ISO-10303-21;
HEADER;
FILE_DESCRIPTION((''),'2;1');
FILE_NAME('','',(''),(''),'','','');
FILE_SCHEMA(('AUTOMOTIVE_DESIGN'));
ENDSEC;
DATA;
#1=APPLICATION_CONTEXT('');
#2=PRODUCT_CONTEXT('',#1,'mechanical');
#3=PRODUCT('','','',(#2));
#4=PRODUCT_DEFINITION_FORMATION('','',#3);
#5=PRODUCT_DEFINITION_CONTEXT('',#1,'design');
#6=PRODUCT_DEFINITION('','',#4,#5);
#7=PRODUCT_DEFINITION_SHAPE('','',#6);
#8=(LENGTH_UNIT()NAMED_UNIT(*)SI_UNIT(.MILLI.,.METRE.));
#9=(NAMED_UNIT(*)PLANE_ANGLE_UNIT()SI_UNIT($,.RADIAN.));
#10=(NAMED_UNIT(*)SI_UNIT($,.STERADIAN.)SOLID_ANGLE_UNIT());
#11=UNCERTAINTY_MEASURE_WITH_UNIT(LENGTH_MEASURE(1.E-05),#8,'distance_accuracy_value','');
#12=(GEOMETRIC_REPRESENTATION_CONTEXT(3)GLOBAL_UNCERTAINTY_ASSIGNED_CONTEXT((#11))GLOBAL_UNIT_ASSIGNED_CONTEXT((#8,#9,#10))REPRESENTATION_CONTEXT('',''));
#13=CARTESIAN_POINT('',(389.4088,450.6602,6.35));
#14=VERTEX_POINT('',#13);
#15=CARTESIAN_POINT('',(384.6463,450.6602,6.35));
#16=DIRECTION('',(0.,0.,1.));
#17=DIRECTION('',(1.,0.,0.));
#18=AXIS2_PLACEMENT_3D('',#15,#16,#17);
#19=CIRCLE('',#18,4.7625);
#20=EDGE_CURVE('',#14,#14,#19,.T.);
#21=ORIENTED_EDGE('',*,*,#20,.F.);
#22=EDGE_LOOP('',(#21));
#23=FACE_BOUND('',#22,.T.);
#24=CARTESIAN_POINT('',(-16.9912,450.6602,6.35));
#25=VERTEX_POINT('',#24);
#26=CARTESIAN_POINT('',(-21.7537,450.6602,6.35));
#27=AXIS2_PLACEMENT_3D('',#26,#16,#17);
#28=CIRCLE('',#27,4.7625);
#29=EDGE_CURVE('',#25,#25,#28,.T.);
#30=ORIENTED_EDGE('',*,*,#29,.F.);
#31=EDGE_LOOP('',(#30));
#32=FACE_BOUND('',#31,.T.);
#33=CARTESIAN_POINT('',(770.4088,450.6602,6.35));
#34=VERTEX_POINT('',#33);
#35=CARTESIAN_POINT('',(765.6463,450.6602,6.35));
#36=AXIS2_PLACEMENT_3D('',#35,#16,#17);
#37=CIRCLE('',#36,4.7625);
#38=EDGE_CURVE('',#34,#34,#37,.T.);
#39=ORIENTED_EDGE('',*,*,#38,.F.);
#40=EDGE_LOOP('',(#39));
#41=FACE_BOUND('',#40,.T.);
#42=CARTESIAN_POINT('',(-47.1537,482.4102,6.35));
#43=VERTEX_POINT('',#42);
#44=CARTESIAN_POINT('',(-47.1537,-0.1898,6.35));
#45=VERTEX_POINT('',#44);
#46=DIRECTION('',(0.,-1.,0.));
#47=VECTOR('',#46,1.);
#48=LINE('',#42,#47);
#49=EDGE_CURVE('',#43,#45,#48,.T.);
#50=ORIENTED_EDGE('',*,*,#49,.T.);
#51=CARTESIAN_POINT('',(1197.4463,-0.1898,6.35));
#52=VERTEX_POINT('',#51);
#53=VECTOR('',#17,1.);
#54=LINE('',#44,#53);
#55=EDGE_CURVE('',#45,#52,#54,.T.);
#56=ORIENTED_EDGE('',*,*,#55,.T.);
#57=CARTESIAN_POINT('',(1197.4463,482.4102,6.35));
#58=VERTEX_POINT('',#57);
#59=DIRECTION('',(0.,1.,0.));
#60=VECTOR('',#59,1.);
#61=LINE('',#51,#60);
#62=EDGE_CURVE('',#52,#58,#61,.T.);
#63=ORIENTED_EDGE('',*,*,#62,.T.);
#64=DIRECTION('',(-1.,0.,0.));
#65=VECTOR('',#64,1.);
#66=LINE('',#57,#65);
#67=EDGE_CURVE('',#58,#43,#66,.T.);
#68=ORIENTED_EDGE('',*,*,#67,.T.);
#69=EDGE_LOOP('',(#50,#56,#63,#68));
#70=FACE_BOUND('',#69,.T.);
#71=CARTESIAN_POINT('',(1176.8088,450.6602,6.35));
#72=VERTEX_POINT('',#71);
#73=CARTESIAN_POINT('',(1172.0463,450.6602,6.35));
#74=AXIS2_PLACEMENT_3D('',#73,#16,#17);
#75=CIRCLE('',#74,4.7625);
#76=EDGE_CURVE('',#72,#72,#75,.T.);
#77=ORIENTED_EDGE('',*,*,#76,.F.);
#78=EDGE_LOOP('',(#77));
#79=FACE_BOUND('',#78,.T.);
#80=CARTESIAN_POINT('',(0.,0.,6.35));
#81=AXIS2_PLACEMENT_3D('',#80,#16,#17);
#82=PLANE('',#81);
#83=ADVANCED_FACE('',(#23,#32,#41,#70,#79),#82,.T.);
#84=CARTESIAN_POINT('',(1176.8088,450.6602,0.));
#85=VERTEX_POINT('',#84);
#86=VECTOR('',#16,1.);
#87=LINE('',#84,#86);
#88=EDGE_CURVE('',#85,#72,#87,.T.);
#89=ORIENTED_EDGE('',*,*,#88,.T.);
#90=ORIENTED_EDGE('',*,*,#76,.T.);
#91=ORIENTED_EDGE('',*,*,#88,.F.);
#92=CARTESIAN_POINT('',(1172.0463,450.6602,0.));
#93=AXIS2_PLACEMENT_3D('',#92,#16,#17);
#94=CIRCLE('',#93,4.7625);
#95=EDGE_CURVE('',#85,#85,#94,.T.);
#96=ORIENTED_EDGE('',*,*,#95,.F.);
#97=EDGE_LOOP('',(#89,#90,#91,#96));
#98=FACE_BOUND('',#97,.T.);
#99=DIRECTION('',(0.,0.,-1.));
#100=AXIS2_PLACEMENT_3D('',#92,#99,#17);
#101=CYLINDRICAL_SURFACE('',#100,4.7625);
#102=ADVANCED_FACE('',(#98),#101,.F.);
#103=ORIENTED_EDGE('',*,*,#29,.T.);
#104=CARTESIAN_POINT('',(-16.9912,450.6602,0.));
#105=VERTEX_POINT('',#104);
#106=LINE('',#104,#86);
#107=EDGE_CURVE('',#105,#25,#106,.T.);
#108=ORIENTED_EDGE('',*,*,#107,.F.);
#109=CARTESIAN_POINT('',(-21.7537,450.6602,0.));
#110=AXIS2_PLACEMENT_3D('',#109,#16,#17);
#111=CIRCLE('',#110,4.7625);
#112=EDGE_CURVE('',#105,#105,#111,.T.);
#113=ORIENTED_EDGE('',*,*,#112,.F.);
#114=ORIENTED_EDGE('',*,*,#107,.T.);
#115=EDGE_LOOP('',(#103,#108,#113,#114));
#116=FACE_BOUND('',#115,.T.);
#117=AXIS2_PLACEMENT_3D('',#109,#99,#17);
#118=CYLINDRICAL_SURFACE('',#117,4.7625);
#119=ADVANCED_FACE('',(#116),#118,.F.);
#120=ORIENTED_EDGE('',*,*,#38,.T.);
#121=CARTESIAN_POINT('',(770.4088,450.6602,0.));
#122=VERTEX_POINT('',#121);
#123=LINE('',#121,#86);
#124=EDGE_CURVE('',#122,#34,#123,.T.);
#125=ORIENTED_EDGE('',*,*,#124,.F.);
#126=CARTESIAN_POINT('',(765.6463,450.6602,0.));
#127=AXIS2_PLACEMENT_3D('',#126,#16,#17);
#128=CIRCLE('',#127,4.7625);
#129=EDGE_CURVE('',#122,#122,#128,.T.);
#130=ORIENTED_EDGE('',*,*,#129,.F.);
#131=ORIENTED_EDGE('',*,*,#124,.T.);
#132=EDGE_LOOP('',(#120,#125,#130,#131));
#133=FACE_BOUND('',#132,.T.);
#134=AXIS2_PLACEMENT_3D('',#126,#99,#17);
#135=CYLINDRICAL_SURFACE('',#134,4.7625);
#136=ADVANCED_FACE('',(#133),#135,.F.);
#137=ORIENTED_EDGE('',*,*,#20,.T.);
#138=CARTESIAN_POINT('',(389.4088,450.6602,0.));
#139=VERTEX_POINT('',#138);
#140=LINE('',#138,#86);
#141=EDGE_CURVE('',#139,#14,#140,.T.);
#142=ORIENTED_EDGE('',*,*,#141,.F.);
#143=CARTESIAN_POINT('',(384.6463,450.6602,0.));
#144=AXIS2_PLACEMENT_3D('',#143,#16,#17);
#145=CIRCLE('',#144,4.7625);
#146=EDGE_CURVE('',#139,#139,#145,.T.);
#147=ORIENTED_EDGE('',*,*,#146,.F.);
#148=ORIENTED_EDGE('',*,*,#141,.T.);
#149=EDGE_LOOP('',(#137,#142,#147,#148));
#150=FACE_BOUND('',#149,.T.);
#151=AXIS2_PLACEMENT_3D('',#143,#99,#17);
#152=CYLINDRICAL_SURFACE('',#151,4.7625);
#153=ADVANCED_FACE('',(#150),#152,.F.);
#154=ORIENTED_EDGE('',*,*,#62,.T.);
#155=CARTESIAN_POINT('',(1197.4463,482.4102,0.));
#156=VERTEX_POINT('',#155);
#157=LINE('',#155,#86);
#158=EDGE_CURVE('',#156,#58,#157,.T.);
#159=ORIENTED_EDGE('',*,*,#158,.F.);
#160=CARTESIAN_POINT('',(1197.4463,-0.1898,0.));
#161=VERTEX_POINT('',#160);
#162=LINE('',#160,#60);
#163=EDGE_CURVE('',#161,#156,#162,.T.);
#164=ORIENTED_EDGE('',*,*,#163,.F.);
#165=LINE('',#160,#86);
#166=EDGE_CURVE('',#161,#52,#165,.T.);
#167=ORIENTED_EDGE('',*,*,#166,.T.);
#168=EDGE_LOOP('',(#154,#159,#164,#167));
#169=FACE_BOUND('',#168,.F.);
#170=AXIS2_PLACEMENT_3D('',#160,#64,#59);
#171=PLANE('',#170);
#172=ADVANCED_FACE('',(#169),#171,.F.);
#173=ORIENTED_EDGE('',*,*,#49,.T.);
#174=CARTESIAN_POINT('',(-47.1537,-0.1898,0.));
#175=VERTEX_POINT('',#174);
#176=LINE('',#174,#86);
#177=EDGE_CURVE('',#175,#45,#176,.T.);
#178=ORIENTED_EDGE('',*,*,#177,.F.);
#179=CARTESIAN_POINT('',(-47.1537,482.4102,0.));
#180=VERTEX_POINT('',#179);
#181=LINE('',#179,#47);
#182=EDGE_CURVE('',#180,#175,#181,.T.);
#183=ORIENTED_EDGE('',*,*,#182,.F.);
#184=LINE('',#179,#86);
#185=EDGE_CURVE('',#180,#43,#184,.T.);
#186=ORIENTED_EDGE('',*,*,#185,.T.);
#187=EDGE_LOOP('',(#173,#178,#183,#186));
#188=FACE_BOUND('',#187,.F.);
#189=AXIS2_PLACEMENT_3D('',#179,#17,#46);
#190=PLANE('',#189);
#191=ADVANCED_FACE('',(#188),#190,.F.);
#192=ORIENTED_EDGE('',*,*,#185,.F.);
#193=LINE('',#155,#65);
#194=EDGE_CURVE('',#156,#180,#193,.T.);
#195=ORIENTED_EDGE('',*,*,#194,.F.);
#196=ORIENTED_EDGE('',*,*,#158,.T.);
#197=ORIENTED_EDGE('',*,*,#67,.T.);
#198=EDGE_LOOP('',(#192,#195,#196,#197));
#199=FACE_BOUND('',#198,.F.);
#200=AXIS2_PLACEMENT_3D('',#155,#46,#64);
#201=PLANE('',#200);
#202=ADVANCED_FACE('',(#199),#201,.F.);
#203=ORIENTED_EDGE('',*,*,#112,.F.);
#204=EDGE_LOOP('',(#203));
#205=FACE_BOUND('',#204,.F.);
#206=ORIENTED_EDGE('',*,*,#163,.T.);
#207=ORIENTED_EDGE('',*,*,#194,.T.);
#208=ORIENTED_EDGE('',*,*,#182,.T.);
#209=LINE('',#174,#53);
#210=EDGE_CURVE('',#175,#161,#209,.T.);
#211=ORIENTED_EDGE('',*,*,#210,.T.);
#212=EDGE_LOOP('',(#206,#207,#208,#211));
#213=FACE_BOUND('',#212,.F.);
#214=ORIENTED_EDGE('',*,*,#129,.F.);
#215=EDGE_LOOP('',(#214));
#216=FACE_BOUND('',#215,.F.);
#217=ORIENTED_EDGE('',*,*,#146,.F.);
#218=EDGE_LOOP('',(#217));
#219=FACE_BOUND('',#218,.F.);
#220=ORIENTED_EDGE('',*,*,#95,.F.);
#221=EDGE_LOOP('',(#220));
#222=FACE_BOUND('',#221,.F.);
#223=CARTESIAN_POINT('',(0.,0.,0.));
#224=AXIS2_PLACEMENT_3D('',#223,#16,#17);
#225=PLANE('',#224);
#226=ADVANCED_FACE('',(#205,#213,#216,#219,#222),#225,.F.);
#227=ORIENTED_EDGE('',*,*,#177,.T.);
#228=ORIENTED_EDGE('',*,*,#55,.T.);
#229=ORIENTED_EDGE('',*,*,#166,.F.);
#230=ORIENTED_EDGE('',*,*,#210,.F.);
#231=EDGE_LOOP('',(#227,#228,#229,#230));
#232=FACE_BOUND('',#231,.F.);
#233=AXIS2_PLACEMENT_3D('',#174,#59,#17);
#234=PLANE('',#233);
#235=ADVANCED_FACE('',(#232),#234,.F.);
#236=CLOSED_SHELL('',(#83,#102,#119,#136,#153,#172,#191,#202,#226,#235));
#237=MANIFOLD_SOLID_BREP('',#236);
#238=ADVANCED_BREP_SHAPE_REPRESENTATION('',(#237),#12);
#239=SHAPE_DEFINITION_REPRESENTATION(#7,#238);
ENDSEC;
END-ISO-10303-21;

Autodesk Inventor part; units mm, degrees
ref_plane "YZ Plane" through (0, 0, 0) normal (1, 0, 0) x (0, 1, 0)
ref_plane "XZ Plane" through (0, 0, 0) normal (0, 1, 0) x (-1, 0, 0)
ref_plane "XY Plane" through (0, 0, 0) normal (0, 0, 1) x (1, 0, 0)
sketch "Sketch1" plane through (0, 0, 0) normal (0, 0, 1) x (1, 0, 0)
  line L0 (-47.1537, -0.1898) -> (1197.4463, -0.1898)
  line L1 (1197.4463, -0.1898) -> (1197.4463, 482.4102)
  line L2 (1197.4463, 482.4102) -> (-47.1537, 482.4102)
  line L3 (-47.1537, 482.4102) -> (-47.1537, -0.1898)
  circle A0 centre (-21.7537, 450.6602) radius 4.7625
  circle A1 centre (384.6463, 450.6602) radius 4.7625
  circle A2 centre (765.6463, 450.6602) radius 4.7625
  circle A3 centre (1172.0463, 450.6602) radius 4.7625
  dimension "d0" = 482.6
  dimension "d1" = 1244.6
  dimension "d2" = 9.525
  dimension "d3" = 9.525
  dimension "d4" = 9.525
  dimension "d5" = 9.525
  dimension "d6" = 25.4
  dimension "d7" = 431.8
  dimension "d8" = 812.8
  dimension "d9" = 1219.2
  dimension "d12" = 31.75
  dimension "d13" = 31.75
  dimension "d14" = 31.75
  dimension "d15" = 31.75
extrude "Extrusion1" add sketch "Sketch1" along normal blind 6.35
properties part number "FE-00009"
